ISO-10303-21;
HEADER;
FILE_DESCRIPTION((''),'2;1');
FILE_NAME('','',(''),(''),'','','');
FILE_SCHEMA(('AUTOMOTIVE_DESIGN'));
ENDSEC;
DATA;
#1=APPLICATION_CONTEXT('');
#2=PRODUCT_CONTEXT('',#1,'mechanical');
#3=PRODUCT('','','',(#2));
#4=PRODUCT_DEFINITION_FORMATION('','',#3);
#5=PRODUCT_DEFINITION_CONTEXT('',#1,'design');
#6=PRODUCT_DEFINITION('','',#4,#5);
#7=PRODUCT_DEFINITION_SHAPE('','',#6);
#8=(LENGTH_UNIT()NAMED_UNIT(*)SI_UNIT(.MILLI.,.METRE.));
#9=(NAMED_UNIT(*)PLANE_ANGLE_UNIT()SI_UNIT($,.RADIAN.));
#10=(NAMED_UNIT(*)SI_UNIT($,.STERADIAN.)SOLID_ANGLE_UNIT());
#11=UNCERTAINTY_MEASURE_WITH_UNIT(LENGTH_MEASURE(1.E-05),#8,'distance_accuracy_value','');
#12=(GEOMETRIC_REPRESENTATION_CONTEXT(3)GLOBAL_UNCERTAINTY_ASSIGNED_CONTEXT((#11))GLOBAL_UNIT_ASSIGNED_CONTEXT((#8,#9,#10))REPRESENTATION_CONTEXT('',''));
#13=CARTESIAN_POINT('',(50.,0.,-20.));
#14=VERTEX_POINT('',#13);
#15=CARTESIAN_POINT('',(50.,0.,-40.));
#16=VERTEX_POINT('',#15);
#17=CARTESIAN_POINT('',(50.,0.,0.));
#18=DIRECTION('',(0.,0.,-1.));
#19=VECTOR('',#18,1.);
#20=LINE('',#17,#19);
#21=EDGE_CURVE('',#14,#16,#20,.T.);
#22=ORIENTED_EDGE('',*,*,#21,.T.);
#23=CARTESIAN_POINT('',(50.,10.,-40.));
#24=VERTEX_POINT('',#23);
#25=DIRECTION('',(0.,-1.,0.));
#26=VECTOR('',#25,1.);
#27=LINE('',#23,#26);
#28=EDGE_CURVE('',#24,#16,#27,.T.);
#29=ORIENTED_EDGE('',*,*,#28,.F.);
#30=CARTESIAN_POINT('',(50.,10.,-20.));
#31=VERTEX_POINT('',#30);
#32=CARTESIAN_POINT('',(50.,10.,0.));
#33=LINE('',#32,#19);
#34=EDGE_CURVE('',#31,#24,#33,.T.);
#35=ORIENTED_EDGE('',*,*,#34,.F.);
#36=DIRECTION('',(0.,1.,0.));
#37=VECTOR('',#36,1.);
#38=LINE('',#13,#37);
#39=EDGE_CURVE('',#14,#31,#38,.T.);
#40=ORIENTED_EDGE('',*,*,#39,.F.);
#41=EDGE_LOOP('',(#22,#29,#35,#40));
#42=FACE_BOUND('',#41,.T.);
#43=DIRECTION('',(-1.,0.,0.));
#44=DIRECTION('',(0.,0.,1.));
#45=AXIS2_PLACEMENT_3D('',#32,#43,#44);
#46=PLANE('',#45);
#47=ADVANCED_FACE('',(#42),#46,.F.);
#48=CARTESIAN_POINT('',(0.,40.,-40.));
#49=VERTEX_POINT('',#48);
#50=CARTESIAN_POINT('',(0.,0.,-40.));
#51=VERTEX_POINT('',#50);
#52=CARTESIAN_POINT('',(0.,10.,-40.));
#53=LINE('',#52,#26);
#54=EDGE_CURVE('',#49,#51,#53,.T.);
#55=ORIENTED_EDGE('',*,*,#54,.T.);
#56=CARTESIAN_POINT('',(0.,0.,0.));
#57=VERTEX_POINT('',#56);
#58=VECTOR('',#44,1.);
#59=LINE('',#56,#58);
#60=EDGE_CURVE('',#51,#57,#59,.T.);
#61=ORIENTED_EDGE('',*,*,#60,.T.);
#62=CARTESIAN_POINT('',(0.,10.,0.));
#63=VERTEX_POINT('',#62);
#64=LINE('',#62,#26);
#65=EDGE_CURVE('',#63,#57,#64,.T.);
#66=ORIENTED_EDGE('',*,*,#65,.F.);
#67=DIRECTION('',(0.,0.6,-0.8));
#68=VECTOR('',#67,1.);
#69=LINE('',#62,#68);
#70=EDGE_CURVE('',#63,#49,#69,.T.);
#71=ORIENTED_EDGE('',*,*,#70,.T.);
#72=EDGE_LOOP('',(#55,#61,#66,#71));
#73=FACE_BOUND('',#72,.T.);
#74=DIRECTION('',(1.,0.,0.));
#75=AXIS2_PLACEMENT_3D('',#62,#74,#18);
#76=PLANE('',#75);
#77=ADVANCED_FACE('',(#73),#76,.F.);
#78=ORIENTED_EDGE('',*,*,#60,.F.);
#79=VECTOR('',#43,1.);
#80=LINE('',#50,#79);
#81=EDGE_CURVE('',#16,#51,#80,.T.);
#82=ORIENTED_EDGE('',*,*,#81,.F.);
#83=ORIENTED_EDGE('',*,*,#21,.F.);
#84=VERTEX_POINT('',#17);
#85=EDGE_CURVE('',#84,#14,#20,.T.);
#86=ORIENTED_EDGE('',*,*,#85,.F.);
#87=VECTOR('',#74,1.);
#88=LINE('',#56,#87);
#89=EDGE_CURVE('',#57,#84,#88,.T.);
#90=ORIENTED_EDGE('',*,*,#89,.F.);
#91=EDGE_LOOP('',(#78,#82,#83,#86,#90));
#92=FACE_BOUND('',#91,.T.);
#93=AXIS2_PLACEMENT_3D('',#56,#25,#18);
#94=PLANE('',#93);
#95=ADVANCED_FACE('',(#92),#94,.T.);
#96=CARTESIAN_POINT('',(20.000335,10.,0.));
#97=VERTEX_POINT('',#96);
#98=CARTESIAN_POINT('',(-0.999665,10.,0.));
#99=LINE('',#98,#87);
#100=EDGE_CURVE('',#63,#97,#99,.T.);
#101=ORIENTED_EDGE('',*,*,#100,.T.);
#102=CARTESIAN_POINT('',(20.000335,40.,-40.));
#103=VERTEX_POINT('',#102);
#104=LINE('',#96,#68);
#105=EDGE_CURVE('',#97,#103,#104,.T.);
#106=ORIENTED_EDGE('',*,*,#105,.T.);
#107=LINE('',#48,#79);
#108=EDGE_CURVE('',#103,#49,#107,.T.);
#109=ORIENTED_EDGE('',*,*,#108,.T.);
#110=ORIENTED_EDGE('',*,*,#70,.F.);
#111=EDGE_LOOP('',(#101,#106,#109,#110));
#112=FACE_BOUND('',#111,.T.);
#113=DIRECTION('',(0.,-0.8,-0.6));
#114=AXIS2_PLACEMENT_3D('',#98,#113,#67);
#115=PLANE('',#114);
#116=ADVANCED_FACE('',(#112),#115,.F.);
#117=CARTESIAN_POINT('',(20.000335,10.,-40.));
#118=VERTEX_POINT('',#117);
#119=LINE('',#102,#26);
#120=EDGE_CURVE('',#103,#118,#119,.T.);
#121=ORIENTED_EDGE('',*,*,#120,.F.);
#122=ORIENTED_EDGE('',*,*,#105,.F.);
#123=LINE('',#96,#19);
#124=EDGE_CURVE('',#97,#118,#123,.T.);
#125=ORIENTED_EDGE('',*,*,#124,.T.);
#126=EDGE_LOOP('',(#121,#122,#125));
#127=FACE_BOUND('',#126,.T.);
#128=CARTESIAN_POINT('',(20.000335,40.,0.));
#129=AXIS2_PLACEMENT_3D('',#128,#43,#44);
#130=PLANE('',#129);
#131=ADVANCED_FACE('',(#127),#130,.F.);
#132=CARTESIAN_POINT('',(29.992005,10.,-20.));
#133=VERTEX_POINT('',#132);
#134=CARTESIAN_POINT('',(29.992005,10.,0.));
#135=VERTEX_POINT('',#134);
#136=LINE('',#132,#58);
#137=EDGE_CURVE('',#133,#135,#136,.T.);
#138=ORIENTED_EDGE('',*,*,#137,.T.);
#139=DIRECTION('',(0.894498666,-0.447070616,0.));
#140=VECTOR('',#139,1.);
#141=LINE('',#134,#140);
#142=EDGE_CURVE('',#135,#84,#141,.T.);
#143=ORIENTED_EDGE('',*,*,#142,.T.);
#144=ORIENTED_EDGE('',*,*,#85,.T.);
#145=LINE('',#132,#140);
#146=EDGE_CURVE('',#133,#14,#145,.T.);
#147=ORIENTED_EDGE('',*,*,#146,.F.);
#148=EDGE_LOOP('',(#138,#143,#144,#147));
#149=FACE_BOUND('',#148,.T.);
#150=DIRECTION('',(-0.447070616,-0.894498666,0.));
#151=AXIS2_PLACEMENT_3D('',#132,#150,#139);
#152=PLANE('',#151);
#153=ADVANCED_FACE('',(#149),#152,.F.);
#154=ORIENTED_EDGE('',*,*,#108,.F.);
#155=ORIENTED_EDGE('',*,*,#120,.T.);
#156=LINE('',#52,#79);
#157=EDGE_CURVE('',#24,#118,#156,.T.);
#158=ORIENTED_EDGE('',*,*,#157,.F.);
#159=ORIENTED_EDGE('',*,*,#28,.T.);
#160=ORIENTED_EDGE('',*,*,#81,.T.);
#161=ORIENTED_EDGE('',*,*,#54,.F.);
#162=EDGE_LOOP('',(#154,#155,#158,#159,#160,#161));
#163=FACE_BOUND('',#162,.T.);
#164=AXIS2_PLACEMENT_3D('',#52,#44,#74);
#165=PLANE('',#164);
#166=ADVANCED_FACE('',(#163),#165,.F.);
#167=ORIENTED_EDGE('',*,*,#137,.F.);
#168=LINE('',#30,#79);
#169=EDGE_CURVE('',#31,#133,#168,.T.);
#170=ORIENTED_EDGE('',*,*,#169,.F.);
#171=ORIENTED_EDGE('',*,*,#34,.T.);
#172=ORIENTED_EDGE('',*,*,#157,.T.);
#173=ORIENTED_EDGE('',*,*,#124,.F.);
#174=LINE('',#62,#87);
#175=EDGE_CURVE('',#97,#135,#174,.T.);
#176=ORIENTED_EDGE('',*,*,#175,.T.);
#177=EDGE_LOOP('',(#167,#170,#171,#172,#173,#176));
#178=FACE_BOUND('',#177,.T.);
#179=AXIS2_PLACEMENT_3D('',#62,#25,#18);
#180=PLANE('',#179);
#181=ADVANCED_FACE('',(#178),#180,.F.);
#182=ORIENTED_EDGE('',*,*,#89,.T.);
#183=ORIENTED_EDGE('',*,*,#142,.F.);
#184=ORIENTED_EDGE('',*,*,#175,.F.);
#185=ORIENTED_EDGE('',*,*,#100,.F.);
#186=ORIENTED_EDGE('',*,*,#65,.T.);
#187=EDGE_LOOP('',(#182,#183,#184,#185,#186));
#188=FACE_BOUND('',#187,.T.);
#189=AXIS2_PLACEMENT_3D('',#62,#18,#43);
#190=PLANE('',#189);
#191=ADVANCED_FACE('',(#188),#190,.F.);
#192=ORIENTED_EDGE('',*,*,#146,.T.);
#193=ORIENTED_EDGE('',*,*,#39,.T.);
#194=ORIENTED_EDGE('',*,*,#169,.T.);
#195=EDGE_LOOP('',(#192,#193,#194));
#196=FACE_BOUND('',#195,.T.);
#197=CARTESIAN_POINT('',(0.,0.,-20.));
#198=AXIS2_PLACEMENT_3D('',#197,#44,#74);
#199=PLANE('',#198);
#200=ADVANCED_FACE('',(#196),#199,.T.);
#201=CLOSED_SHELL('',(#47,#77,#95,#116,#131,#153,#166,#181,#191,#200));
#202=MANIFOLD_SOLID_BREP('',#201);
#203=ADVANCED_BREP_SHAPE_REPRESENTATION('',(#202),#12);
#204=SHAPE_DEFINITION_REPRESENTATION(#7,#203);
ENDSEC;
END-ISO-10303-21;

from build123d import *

# Parameters (mm, degrees)
SKETCH16_W          = 50
SKETCH16_H          = 40
BOSS_EXTRUDE3_DEPTH = 10
CUT_EXTRUDE10_DEPTH = 20
SKETCH21_W          = 20.000334642
SKETCH21_H          = 40
BOSS_EXTRUDE4_DEPTH = 30
CUT_EXTRUDE12_DEPTH = 21


with BuildPart() as part:
    # Sketch16 → Boss-Extrude3 (new body)
    with BuildSketch(Plane(origin=(0, 0, 0), x_dir=(1, 0, 0), z_dir=(0, 1, 0))):
        with Locations((25, 20)):
            Rectangle(SKETCH16_W, SKETCH16_H)
    extrude(amount=BOSS_EXTRUDE3_DEPTH)

    # Sketch20 → Cut-Extrude10 (cut)
    with BuildSketch(Plane.XY):
        Polygon((50, 10), (29.992004992, 10), (50, 0), align=None)
    extrude(amount=-CUT_EXTRUDE10_DEPTH, mode=Mode.SUBTRACT)

    # Sketch21 → Boss-Extrude4 (add)
    with BuildSketch(Plane(origin=(0, 10, 0), x_dir=(1, 0, 0), z_dir=(0, 1, 0))):
        with Locations((10.000167321, 20)):
            Rectangle(SKETCH21_W, SKETCH21_H)
    extrude(amount=BOSS_EXTRUDE4_DEPTH)

    # Sketch22 → Cut-Extrude12 (cut)
    with BuildSketch(Plane(origin=(20.000334642, 0, 0), x_dir=(0, 0, -1), z_dir=(1, 0, 0))):
        Polygon((40, 40), (0, 40), (0, 10), align=None)
    extrude(amount=-CUT_EXTRUDE12_DEPTH, mode=Mode.SUBTRACT)


solid = part.part
